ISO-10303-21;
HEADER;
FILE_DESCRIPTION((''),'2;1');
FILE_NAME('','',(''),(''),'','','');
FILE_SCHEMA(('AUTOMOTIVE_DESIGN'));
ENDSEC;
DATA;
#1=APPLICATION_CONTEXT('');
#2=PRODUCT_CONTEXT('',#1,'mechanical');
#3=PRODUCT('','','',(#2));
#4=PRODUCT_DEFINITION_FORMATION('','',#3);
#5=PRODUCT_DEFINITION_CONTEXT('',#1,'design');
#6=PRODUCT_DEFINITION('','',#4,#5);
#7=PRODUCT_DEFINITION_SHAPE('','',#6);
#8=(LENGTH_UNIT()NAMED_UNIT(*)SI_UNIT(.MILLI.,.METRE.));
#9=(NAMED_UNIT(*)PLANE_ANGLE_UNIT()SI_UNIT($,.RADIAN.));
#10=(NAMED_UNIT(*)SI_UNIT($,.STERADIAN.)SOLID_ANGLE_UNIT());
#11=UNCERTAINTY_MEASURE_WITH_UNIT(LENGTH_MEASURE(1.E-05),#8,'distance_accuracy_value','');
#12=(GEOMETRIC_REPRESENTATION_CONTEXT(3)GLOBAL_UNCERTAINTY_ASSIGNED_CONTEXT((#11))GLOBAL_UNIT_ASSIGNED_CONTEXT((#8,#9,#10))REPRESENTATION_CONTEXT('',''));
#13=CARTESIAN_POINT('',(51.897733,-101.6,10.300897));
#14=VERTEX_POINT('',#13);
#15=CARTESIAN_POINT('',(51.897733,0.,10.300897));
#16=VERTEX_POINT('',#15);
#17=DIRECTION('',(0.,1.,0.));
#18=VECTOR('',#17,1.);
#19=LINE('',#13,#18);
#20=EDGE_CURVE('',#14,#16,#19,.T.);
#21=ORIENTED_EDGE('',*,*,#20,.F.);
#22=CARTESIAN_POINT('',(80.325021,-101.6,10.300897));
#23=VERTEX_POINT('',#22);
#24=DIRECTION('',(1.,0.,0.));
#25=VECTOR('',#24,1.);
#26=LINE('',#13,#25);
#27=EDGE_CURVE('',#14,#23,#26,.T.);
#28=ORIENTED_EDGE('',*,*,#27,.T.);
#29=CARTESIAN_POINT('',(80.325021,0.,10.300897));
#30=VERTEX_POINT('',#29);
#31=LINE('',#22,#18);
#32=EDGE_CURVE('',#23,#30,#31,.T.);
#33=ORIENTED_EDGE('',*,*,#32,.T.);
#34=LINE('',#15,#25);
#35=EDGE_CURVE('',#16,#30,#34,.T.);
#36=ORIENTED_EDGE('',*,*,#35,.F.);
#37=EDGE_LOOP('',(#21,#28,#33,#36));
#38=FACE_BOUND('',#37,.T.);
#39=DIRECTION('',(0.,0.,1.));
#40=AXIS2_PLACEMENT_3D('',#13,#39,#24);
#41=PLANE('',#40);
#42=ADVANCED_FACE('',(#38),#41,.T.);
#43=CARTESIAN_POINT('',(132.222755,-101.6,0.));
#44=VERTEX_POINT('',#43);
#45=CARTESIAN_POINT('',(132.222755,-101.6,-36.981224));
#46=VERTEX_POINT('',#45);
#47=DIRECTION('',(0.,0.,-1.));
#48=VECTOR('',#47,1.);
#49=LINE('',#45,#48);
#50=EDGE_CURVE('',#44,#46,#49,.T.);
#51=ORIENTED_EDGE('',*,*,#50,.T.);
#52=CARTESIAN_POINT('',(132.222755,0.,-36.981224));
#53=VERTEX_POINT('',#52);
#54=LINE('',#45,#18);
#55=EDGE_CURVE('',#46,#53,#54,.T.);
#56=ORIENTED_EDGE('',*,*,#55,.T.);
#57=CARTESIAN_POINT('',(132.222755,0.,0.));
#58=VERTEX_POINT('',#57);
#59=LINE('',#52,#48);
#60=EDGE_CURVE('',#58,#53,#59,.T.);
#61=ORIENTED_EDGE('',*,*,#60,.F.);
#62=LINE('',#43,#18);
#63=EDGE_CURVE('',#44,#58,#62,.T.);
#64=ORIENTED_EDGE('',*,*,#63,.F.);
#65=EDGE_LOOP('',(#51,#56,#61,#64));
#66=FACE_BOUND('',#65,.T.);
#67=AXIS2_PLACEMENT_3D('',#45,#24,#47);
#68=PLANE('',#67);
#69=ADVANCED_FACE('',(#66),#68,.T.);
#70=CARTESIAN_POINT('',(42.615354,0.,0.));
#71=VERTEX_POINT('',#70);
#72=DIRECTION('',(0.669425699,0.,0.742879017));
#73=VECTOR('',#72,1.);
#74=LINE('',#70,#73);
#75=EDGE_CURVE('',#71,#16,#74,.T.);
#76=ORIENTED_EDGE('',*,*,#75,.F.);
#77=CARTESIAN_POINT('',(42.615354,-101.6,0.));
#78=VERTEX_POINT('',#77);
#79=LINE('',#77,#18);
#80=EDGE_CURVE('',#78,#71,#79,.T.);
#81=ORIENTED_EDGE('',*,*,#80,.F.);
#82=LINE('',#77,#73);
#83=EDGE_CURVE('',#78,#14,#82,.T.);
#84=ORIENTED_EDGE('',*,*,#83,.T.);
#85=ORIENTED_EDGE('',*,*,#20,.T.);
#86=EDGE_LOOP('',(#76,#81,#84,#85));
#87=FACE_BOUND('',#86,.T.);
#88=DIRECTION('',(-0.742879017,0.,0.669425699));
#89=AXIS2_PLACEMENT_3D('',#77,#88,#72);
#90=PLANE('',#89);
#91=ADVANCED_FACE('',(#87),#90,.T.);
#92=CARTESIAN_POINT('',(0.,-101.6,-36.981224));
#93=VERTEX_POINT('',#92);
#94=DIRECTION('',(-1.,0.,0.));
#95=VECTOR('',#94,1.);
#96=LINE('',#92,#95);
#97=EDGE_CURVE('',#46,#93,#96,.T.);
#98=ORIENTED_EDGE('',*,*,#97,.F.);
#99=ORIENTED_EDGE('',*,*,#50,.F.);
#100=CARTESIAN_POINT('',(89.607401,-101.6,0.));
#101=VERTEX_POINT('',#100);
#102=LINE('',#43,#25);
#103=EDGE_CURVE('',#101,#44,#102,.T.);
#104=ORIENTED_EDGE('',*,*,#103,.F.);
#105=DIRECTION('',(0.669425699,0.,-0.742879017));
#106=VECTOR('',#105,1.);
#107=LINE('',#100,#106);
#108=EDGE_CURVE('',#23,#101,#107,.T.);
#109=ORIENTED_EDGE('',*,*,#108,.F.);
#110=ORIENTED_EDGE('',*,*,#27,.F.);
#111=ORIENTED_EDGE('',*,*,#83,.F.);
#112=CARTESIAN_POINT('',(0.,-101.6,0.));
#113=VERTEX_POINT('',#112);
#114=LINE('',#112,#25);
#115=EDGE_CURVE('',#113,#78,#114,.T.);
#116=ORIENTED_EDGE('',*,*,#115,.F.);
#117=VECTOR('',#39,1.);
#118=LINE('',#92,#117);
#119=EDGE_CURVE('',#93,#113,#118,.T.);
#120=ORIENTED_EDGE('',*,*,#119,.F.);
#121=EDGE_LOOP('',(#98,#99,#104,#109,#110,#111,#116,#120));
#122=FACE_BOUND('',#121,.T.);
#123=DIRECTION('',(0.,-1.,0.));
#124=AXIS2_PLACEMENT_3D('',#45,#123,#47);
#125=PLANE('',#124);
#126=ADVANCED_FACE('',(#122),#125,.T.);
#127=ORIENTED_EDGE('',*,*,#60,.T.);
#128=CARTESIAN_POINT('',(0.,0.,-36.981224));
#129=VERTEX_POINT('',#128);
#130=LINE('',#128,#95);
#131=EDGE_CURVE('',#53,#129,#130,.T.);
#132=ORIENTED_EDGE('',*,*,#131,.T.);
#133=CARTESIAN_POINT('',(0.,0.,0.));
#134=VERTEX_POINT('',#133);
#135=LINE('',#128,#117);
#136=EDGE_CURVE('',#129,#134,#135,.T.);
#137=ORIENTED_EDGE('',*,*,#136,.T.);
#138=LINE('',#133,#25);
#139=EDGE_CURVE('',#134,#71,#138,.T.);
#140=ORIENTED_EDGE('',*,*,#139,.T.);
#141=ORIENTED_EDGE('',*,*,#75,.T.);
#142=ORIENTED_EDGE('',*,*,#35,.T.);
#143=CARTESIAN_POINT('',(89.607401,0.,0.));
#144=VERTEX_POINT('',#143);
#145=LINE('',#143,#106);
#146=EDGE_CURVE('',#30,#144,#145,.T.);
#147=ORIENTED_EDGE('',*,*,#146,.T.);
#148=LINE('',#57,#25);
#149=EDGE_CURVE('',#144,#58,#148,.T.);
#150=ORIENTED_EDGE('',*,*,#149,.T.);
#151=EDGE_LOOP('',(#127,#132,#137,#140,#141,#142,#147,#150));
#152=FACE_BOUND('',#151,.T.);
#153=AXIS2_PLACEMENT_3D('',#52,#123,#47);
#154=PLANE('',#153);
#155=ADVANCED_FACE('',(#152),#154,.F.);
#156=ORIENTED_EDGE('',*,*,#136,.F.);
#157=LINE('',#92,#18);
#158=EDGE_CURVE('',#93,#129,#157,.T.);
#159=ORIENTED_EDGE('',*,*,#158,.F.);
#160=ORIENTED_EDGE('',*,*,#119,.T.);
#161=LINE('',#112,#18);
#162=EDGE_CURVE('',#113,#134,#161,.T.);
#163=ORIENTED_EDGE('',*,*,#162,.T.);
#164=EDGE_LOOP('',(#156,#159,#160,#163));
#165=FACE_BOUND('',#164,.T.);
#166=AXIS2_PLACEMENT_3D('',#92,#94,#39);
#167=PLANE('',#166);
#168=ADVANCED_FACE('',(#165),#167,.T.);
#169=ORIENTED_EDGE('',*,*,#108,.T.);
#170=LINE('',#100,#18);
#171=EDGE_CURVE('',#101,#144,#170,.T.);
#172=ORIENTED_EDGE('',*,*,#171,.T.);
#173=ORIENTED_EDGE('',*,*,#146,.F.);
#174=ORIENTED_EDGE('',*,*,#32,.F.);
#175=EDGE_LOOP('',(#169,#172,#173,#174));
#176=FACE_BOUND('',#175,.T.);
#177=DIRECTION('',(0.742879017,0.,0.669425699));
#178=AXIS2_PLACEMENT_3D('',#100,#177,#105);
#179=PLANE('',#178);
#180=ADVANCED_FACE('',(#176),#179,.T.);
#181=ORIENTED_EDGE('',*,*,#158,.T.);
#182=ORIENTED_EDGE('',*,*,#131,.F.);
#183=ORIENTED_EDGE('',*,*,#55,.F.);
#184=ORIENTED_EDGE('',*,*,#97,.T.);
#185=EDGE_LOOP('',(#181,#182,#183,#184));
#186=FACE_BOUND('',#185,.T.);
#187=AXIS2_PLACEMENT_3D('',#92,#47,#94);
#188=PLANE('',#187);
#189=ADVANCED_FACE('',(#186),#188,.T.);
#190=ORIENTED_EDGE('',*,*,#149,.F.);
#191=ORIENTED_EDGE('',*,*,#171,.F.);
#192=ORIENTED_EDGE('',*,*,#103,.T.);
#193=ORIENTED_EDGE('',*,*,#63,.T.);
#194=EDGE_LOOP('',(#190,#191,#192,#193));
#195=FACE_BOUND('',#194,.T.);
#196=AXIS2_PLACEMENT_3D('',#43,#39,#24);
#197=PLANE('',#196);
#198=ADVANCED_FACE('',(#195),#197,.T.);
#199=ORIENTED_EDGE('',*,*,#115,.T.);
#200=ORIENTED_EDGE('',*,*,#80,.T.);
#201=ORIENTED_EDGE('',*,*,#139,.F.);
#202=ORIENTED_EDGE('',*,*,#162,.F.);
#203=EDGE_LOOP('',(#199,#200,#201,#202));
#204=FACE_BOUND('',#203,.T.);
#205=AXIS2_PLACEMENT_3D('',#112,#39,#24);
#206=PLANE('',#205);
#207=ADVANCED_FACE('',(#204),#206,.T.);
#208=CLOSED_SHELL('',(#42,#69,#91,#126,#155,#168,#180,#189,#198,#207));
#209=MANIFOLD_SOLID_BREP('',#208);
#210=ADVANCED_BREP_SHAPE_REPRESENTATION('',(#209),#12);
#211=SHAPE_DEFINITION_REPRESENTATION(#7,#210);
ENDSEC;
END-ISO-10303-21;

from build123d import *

# Parameters (mm, degrees)
EXTRUDE1_DEPTH = 101.6


with BuildPart() as part:
    # Sketch1 → Extrude1 (new body)
    with BuildSketch(Plane(origin=(0, 0, 0), x_dir=(1, 0, 0), z_dir=(0, 1, 0))):
        Polygon((0, 36.981224411), (0, 0), (42.615353822, 0), (51.897733448, -10.30089681), (80.325021053, -10.30089681), (89.607400679, 0), (132.222754501, 0), (132.222754501, 36.981224411), align=None)
    extrude(amount=-EXTRUDE1_DEPTH)


solid = part.part
